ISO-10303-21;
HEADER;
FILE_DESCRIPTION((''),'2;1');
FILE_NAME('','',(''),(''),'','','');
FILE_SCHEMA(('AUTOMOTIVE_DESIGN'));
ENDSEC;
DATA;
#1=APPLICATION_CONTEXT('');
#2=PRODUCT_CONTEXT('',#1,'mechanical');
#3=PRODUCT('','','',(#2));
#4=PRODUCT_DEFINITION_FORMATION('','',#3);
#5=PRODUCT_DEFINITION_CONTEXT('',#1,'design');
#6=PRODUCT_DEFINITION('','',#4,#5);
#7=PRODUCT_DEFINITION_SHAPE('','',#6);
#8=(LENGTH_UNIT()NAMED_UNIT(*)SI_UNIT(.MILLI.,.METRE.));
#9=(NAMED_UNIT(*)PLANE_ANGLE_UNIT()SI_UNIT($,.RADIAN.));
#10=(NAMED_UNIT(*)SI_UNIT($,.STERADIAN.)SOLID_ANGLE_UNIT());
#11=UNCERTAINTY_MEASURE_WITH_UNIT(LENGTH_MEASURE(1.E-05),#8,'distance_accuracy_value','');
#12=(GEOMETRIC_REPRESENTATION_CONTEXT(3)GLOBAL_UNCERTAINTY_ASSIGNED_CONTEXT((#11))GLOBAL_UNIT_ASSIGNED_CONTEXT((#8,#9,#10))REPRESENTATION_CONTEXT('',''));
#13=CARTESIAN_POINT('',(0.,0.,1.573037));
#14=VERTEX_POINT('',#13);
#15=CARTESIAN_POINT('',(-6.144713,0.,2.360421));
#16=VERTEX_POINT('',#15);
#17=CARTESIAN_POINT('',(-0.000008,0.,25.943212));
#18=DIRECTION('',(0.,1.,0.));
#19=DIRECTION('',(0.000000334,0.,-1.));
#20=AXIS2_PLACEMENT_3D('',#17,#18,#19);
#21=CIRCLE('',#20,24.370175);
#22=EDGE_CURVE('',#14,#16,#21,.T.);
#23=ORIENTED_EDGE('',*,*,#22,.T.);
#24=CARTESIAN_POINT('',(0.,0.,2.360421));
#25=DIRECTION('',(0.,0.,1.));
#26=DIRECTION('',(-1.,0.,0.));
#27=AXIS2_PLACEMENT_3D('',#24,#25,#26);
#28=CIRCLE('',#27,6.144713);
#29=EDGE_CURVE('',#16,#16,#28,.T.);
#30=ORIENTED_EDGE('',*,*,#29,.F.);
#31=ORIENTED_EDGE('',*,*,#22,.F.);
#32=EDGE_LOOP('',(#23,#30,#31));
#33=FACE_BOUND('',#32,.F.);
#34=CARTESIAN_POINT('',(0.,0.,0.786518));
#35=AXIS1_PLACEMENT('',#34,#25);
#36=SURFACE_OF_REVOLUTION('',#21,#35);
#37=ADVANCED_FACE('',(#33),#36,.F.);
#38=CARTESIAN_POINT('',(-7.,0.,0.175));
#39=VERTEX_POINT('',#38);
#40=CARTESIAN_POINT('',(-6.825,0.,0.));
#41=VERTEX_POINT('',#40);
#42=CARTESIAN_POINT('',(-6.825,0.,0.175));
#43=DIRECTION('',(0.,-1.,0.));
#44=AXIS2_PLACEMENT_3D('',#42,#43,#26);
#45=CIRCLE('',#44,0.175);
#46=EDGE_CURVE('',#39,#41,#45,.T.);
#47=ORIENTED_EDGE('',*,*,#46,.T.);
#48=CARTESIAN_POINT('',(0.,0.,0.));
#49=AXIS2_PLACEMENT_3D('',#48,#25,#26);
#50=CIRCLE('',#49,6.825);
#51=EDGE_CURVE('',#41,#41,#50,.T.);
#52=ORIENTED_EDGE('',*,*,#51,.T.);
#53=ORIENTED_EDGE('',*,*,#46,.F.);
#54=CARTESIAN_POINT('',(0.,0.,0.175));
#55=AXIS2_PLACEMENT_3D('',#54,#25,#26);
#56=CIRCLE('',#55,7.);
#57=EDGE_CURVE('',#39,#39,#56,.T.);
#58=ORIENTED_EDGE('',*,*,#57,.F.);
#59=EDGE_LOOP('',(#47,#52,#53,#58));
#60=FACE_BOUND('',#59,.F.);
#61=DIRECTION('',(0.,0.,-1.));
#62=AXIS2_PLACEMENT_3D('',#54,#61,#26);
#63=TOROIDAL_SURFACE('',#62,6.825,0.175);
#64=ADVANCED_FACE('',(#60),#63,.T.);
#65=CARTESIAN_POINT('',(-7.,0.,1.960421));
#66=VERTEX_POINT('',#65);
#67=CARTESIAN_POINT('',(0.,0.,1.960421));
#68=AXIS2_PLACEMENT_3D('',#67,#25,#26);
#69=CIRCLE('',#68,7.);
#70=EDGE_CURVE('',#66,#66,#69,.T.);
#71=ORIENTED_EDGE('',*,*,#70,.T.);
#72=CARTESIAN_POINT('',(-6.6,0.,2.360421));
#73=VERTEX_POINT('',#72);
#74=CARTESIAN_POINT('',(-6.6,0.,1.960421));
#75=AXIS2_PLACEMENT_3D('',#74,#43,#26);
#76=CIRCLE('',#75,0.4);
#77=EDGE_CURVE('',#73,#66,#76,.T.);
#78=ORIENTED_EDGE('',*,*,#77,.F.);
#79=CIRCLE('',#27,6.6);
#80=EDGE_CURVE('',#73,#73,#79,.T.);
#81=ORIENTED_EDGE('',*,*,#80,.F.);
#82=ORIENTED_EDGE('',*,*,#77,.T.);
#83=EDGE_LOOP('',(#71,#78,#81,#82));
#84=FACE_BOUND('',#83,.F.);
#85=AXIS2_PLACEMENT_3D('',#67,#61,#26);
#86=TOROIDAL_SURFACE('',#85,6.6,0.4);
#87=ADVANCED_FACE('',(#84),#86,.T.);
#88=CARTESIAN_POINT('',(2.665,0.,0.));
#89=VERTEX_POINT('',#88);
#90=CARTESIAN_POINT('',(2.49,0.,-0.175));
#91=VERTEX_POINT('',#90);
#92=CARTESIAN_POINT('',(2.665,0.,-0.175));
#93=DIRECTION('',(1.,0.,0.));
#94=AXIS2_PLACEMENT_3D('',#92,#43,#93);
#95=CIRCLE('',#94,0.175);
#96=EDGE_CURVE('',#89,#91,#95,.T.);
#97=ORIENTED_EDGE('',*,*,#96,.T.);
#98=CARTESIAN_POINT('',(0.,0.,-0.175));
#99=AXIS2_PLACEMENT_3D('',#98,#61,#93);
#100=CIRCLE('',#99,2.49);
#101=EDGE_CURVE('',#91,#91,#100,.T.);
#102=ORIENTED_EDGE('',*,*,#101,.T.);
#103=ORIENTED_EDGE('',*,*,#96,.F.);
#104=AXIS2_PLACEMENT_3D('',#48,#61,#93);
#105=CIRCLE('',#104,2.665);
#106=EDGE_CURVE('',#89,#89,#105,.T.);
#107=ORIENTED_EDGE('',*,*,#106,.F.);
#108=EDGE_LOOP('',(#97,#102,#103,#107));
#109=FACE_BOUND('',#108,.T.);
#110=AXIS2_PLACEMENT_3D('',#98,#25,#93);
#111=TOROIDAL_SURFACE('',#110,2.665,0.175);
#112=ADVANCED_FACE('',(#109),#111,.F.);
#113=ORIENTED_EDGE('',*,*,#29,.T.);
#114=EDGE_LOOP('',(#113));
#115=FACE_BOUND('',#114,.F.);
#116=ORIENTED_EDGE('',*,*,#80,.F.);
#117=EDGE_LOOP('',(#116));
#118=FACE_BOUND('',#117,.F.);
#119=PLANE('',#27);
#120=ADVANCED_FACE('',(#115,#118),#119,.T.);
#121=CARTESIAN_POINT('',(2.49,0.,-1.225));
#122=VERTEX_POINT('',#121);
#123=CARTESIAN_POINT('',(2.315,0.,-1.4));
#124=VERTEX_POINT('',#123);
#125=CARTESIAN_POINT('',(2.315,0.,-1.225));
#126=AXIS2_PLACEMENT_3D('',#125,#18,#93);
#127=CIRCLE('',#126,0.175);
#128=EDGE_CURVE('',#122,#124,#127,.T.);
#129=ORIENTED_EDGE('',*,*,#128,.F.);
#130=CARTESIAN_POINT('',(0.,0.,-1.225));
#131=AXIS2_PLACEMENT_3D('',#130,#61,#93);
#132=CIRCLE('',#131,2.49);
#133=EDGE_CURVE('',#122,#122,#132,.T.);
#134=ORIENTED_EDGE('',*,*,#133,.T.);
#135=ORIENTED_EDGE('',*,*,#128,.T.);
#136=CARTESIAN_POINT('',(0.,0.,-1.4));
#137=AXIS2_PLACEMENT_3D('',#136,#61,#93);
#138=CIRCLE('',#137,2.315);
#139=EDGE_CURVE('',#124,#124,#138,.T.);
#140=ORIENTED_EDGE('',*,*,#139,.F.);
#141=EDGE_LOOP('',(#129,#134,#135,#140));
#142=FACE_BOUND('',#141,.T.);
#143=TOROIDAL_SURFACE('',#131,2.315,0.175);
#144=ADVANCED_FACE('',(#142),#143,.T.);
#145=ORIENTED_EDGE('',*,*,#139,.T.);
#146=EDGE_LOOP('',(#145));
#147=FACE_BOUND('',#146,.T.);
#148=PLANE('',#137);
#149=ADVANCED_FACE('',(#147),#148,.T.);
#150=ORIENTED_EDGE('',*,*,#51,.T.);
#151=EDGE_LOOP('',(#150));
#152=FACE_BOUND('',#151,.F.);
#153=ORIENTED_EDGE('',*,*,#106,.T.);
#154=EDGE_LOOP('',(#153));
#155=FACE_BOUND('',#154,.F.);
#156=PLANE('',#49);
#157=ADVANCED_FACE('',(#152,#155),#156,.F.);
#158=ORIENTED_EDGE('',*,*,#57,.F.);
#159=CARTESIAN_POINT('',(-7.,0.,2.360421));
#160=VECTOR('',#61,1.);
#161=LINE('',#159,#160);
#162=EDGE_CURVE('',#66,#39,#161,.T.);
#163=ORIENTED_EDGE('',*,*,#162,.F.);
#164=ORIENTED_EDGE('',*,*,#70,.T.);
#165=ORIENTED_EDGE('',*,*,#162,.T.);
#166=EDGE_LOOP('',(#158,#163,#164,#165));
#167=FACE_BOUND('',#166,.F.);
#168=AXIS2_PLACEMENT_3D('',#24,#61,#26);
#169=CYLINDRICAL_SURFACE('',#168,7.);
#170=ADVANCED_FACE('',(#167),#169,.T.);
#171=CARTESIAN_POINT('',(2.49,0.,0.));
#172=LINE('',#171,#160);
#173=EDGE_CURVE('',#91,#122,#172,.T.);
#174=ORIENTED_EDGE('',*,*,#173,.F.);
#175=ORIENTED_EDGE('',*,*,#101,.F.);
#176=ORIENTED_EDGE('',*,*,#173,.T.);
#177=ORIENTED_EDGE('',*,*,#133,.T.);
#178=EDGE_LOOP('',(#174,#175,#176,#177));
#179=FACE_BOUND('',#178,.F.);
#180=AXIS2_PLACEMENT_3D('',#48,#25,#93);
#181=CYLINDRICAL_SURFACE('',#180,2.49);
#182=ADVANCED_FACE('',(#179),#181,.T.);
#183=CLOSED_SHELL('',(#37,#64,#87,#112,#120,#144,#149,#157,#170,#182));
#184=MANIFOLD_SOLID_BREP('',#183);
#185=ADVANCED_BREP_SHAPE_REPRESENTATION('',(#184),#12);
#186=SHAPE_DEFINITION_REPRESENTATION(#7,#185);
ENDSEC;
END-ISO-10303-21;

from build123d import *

# Parameters (mm, degrees)
F2_R     = 0.4
F3_R     = 2.49
F4_DEPTH = 1.4
F5_R     = 0.175


with BuildPart() as f1:
    # F0 (on Front) → F1 (revolve)
    with BuildSketch(Plane.XZ):
        with BuildLine():
            Line((-7, 0), (0, 0))
            Line((0, 0), (0, 1.573037))
            ThreePointArc((0, 1.573037), (-3.097478, 1.770684), (-6.144713, 2.360421))
            Line((-6.144713, 2.360421), (-7, 2.360421))
            Line((-7, 2.360421), (-7, 0))
        make_face()
    revolve(axis=Axis((0, 0, 0.786518), (0, 0, 1)))

    # F2
    f2_edges = [f1.edges().sort_by_distance(p)[0] for p in [
        (7, 0, 2.360421),
    ]]
    fillet(f2_edges, radius=F2_R)

    # F3 (on face) → F4 (join)
    with BuildSketch(Plane(origin=(0, 0, 0), x_dir=(1, 0, 0), z_dir=(0, 0, -1))):
        Circle(F3_R)
    extrude(amount=F4_DEPTH)

    # F5
    f5_edges = [f1.edges().sort_by_distance(p)[0] for p in [
        (-2.49, 0, -1.4),
        (-2.49, 0, 0),
        (7, 0, 0),
    ]]
    fillet(f5_edges, radius=F5_R)


solid = f1.part
